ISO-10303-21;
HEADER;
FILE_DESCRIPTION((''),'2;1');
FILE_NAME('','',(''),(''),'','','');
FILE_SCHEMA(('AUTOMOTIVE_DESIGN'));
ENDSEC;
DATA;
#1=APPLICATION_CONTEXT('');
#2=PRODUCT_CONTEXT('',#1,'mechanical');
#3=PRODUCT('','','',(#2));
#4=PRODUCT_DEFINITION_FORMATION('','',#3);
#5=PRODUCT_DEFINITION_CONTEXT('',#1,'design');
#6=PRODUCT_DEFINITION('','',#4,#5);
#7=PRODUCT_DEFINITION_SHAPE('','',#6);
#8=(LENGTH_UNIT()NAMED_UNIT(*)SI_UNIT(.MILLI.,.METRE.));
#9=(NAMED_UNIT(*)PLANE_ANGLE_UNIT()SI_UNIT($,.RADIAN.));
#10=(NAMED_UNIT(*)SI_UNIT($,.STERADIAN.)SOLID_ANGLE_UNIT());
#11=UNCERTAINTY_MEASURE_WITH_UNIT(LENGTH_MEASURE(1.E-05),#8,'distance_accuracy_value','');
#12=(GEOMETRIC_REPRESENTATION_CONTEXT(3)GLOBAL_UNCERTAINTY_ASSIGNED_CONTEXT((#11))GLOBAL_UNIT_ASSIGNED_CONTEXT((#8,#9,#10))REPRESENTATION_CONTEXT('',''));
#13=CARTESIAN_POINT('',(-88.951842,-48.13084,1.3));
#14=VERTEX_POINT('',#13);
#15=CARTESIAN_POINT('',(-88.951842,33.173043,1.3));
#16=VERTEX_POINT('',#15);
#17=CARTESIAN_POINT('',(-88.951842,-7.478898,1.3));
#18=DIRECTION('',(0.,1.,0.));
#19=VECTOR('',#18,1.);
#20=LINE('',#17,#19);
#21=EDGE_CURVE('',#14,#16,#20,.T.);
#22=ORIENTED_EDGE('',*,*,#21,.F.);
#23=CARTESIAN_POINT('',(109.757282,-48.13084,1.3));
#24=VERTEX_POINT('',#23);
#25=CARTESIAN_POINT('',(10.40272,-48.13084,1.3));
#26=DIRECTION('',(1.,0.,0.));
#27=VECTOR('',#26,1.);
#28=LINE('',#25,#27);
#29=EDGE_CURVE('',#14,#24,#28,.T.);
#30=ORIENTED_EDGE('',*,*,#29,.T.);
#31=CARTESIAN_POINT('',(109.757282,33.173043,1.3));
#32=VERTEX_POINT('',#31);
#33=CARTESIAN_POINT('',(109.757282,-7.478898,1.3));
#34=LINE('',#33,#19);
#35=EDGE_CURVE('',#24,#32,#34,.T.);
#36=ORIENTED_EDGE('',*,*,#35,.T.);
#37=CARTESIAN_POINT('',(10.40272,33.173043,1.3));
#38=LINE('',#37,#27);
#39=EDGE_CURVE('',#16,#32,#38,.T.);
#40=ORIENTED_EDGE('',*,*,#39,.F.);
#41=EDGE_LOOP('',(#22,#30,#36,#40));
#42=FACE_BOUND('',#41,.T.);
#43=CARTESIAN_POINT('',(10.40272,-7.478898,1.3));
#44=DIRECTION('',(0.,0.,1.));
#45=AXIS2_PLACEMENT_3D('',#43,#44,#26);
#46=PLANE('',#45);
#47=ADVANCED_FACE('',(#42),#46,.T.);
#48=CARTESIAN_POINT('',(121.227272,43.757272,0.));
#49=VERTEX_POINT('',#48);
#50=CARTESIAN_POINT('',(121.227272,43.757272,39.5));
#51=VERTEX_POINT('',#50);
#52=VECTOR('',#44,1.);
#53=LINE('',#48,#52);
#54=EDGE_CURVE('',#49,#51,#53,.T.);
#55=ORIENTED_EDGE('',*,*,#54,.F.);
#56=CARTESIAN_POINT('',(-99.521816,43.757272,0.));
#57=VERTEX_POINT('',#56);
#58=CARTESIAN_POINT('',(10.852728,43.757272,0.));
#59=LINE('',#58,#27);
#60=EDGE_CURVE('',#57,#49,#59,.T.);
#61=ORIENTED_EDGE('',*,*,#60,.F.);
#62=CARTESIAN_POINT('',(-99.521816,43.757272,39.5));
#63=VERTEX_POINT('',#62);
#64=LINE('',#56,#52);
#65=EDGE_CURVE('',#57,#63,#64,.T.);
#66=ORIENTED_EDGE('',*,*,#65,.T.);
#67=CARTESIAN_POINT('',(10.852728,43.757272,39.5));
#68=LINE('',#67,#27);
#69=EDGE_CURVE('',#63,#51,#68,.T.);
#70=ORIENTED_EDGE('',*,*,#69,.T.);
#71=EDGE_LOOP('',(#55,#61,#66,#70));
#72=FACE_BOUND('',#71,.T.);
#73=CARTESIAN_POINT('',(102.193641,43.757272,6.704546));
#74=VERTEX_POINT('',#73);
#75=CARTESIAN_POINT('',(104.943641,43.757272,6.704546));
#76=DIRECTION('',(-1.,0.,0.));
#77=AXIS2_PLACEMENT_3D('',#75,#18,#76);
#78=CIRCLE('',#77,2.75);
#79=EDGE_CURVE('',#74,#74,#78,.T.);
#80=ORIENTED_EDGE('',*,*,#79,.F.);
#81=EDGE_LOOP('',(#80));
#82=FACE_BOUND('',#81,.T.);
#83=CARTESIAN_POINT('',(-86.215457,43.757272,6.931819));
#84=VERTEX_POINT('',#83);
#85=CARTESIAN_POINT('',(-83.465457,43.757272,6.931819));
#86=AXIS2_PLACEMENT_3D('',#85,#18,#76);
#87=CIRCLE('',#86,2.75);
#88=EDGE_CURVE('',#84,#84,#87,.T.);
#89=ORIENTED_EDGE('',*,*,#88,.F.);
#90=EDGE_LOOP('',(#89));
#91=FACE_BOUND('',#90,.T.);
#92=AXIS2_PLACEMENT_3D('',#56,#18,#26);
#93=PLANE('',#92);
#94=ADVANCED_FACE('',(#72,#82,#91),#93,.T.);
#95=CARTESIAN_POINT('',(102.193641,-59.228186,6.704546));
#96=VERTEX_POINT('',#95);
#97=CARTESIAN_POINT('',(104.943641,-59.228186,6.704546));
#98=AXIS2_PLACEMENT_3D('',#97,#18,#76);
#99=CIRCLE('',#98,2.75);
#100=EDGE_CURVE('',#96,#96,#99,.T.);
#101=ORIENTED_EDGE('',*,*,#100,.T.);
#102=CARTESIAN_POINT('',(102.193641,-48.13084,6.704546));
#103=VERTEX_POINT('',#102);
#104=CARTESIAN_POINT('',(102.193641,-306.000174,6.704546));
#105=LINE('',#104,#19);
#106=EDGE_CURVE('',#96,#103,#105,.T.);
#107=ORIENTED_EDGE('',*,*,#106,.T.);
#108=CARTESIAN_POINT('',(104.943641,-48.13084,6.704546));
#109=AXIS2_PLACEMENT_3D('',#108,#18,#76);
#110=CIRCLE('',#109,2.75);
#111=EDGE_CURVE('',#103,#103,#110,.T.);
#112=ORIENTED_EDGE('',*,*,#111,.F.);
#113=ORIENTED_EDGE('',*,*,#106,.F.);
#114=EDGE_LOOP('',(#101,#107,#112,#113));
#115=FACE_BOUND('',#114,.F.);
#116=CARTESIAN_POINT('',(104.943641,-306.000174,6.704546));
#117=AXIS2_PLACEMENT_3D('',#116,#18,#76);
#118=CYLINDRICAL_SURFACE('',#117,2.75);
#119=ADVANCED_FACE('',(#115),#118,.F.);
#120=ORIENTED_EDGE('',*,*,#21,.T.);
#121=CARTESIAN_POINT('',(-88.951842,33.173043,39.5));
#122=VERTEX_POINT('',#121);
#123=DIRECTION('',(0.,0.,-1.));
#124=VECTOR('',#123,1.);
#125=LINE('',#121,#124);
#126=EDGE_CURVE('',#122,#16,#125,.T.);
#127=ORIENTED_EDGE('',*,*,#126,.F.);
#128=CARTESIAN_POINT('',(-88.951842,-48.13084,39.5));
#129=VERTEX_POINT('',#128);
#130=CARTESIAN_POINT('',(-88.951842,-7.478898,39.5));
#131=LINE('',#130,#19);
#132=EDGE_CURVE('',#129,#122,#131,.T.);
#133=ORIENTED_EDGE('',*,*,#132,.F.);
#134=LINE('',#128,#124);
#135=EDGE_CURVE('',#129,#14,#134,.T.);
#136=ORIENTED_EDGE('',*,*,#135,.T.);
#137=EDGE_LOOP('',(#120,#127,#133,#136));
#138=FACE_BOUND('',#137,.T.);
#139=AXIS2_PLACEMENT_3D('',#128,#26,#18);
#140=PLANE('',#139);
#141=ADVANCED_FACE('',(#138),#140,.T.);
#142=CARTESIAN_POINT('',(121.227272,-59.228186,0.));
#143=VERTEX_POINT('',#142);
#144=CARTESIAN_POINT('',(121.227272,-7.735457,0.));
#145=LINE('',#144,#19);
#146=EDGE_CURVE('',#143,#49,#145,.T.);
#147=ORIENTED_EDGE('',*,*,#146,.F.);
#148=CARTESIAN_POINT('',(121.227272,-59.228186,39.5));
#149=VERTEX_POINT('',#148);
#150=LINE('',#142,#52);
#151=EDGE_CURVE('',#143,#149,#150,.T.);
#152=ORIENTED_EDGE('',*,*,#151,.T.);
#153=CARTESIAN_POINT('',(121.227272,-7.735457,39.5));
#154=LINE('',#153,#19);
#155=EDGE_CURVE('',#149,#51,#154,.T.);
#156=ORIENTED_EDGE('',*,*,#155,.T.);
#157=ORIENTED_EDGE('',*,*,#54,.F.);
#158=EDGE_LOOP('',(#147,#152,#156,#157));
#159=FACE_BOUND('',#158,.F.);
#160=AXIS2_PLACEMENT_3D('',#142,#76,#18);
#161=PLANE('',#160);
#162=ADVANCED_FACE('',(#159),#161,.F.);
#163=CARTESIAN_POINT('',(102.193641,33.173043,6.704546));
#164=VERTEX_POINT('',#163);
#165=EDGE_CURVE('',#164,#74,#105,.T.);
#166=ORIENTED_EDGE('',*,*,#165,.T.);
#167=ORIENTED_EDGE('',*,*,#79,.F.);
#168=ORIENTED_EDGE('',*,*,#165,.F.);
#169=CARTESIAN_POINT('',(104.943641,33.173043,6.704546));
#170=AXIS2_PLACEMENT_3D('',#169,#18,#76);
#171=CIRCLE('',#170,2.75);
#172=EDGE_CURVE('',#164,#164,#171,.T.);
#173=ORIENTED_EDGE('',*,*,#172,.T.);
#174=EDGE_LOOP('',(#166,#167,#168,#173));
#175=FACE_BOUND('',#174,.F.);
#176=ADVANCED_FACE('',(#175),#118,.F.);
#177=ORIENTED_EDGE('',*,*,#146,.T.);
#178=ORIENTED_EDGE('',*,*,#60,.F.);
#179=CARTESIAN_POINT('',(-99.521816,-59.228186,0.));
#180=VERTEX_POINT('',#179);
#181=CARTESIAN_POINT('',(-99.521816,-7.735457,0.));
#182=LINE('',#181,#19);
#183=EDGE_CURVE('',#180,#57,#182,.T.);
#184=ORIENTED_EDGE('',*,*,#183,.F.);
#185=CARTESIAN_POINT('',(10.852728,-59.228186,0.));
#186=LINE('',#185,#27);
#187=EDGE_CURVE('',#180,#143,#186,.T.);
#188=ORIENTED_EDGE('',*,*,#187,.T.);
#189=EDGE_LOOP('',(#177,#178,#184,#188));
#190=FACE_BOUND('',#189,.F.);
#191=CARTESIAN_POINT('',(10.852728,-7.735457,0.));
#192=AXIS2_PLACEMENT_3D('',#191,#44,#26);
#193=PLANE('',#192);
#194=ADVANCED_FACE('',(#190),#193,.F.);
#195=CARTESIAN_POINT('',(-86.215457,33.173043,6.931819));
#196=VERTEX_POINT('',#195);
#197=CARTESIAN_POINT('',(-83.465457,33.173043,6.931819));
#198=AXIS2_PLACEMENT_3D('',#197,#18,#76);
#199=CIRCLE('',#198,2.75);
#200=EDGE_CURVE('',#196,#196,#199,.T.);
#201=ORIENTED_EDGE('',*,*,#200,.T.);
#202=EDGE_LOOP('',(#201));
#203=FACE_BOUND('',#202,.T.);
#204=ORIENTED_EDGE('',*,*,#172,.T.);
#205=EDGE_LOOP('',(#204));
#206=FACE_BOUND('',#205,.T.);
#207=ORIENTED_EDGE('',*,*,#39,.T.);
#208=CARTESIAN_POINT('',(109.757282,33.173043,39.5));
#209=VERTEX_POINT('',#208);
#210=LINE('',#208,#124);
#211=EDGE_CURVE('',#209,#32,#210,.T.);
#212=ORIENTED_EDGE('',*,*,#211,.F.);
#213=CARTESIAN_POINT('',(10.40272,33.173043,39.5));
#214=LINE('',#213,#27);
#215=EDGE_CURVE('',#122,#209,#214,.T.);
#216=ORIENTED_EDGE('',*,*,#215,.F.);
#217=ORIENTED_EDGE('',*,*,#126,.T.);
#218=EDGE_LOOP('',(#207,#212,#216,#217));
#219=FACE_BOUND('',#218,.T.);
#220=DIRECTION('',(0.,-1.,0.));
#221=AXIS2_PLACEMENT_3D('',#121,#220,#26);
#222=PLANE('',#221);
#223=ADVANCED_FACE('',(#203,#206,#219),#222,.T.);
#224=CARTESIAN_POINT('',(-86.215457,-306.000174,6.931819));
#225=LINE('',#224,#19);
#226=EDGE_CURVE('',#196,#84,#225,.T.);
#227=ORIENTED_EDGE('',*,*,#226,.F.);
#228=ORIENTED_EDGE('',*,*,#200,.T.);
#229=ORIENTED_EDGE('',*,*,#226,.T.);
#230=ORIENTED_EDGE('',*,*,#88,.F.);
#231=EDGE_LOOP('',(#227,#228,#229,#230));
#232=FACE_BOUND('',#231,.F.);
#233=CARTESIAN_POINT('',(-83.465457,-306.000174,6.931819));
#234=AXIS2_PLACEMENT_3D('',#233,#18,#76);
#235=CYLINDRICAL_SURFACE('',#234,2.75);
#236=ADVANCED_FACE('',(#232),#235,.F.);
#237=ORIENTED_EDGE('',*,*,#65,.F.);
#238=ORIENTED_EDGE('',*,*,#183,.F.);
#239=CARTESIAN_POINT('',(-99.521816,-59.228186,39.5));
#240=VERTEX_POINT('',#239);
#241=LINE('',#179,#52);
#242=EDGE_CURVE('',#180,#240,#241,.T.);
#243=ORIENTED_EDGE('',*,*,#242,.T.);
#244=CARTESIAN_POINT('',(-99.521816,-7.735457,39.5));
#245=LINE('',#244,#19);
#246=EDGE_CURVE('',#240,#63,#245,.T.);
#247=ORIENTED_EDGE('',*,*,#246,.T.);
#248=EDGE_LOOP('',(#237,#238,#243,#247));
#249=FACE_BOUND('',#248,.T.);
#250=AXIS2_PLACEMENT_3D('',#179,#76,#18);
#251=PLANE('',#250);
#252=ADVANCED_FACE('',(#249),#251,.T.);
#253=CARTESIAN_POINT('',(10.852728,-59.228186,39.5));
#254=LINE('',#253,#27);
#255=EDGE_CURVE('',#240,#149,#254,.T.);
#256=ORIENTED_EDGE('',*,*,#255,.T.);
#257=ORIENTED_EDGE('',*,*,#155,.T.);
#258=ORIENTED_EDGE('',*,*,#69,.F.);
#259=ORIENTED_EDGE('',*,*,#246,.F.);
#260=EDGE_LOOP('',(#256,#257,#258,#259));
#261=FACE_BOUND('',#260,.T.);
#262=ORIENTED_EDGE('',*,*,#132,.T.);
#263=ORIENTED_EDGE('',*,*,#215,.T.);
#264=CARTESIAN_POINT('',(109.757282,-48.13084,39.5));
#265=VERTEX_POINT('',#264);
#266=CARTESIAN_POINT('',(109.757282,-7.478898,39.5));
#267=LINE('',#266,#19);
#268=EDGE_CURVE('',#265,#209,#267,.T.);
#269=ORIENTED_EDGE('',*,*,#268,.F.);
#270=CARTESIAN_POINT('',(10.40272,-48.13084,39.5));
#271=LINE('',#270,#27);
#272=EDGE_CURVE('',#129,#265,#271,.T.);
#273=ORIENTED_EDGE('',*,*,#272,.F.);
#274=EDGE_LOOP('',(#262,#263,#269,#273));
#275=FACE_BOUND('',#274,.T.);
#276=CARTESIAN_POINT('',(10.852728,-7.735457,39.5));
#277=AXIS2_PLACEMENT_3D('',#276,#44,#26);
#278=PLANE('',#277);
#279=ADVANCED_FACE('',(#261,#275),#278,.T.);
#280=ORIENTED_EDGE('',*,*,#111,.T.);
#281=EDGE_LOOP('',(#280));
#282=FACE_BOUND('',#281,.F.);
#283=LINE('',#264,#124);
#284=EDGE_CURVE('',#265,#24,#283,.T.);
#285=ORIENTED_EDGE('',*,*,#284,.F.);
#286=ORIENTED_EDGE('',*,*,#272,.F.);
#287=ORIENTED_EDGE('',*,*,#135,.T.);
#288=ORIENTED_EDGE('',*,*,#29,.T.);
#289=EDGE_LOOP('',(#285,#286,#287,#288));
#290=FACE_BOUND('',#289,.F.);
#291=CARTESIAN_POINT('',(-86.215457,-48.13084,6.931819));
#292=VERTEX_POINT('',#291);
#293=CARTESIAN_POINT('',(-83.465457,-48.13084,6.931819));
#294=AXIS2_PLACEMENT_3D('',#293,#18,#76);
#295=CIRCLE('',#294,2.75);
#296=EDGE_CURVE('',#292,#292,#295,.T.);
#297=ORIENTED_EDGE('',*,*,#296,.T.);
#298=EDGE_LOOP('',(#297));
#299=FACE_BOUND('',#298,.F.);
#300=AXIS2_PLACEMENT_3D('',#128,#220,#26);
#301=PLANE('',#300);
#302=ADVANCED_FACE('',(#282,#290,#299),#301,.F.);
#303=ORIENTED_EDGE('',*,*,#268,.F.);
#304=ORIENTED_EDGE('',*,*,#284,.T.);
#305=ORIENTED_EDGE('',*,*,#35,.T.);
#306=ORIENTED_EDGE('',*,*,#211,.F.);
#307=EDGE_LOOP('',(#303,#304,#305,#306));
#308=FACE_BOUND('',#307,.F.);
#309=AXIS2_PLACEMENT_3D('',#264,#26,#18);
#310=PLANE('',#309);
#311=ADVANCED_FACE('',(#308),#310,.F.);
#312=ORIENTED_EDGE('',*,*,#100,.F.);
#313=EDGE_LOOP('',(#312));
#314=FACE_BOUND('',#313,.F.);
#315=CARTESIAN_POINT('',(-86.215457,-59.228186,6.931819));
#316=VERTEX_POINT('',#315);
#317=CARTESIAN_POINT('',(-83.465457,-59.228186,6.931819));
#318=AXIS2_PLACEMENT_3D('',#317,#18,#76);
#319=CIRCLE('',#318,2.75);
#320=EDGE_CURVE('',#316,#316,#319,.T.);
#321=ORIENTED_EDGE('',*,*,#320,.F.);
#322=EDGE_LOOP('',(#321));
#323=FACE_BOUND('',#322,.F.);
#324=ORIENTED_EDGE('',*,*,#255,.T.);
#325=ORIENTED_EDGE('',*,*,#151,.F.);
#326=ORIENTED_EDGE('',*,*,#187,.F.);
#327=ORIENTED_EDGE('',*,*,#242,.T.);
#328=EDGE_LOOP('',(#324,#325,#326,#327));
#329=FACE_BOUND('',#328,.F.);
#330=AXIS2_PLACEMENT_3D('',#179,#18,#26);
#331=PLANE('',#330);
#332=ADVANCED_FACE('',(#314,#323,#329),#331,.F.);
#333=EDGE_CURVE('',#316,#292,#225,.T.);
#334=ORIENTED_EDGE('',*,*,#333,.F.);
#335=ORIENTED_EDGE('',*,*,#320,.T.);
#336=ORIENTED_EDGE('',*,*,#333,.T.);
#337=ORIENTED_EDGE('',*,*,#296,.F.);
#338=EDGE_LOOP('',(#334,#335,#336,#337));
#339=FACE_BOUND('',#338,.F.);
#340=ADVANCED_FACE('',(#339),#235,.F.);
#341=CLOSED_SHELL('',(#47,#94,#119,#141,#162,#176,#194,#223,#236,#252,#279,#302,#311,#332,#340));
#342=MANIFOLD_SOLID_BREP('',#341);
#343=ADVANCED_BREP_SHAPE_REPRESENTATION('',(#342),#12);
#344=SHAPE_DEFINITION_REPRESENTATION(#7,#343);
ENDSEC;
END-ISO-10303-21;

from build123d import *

# Parameters (mm, degrees)
F0_W     = 220.749088
F0_H     = 102.985457
F1_DEPTH = 39.5
F2_W     = 198.709123
F2_H     = 81.303883
F3_DEPTH = 38.2
F5_D     = 5.5


with BuildPart() as f1:
    # F0 (on Top) → F1 (new body)
    with BuildSketch(Plane.XY):
        with Locations((10.852728, -7.735457)):
            Rectangle(F0_W, F0_H)
    extrude(amount=F1_DEPTH)

    # F2 (on face) → F3 (cut)
    with BuildSketch(Plane.XY.offset(39.5)):
        with Locations((10.40272, -7.478898)):
            Rectangle(F2_W, F2_H)
    extrude(amount=-F3_DEPTH, mode=Mode.SUBTRACT)

    # F5 (through all)
    with Locations(Plane.XZ.offset(59.228186)):
        with Locations((-83.465457, 6.931819), (104.943641, 6.704546)):
            Hole(F5_D / 2)


solid = f1.part
